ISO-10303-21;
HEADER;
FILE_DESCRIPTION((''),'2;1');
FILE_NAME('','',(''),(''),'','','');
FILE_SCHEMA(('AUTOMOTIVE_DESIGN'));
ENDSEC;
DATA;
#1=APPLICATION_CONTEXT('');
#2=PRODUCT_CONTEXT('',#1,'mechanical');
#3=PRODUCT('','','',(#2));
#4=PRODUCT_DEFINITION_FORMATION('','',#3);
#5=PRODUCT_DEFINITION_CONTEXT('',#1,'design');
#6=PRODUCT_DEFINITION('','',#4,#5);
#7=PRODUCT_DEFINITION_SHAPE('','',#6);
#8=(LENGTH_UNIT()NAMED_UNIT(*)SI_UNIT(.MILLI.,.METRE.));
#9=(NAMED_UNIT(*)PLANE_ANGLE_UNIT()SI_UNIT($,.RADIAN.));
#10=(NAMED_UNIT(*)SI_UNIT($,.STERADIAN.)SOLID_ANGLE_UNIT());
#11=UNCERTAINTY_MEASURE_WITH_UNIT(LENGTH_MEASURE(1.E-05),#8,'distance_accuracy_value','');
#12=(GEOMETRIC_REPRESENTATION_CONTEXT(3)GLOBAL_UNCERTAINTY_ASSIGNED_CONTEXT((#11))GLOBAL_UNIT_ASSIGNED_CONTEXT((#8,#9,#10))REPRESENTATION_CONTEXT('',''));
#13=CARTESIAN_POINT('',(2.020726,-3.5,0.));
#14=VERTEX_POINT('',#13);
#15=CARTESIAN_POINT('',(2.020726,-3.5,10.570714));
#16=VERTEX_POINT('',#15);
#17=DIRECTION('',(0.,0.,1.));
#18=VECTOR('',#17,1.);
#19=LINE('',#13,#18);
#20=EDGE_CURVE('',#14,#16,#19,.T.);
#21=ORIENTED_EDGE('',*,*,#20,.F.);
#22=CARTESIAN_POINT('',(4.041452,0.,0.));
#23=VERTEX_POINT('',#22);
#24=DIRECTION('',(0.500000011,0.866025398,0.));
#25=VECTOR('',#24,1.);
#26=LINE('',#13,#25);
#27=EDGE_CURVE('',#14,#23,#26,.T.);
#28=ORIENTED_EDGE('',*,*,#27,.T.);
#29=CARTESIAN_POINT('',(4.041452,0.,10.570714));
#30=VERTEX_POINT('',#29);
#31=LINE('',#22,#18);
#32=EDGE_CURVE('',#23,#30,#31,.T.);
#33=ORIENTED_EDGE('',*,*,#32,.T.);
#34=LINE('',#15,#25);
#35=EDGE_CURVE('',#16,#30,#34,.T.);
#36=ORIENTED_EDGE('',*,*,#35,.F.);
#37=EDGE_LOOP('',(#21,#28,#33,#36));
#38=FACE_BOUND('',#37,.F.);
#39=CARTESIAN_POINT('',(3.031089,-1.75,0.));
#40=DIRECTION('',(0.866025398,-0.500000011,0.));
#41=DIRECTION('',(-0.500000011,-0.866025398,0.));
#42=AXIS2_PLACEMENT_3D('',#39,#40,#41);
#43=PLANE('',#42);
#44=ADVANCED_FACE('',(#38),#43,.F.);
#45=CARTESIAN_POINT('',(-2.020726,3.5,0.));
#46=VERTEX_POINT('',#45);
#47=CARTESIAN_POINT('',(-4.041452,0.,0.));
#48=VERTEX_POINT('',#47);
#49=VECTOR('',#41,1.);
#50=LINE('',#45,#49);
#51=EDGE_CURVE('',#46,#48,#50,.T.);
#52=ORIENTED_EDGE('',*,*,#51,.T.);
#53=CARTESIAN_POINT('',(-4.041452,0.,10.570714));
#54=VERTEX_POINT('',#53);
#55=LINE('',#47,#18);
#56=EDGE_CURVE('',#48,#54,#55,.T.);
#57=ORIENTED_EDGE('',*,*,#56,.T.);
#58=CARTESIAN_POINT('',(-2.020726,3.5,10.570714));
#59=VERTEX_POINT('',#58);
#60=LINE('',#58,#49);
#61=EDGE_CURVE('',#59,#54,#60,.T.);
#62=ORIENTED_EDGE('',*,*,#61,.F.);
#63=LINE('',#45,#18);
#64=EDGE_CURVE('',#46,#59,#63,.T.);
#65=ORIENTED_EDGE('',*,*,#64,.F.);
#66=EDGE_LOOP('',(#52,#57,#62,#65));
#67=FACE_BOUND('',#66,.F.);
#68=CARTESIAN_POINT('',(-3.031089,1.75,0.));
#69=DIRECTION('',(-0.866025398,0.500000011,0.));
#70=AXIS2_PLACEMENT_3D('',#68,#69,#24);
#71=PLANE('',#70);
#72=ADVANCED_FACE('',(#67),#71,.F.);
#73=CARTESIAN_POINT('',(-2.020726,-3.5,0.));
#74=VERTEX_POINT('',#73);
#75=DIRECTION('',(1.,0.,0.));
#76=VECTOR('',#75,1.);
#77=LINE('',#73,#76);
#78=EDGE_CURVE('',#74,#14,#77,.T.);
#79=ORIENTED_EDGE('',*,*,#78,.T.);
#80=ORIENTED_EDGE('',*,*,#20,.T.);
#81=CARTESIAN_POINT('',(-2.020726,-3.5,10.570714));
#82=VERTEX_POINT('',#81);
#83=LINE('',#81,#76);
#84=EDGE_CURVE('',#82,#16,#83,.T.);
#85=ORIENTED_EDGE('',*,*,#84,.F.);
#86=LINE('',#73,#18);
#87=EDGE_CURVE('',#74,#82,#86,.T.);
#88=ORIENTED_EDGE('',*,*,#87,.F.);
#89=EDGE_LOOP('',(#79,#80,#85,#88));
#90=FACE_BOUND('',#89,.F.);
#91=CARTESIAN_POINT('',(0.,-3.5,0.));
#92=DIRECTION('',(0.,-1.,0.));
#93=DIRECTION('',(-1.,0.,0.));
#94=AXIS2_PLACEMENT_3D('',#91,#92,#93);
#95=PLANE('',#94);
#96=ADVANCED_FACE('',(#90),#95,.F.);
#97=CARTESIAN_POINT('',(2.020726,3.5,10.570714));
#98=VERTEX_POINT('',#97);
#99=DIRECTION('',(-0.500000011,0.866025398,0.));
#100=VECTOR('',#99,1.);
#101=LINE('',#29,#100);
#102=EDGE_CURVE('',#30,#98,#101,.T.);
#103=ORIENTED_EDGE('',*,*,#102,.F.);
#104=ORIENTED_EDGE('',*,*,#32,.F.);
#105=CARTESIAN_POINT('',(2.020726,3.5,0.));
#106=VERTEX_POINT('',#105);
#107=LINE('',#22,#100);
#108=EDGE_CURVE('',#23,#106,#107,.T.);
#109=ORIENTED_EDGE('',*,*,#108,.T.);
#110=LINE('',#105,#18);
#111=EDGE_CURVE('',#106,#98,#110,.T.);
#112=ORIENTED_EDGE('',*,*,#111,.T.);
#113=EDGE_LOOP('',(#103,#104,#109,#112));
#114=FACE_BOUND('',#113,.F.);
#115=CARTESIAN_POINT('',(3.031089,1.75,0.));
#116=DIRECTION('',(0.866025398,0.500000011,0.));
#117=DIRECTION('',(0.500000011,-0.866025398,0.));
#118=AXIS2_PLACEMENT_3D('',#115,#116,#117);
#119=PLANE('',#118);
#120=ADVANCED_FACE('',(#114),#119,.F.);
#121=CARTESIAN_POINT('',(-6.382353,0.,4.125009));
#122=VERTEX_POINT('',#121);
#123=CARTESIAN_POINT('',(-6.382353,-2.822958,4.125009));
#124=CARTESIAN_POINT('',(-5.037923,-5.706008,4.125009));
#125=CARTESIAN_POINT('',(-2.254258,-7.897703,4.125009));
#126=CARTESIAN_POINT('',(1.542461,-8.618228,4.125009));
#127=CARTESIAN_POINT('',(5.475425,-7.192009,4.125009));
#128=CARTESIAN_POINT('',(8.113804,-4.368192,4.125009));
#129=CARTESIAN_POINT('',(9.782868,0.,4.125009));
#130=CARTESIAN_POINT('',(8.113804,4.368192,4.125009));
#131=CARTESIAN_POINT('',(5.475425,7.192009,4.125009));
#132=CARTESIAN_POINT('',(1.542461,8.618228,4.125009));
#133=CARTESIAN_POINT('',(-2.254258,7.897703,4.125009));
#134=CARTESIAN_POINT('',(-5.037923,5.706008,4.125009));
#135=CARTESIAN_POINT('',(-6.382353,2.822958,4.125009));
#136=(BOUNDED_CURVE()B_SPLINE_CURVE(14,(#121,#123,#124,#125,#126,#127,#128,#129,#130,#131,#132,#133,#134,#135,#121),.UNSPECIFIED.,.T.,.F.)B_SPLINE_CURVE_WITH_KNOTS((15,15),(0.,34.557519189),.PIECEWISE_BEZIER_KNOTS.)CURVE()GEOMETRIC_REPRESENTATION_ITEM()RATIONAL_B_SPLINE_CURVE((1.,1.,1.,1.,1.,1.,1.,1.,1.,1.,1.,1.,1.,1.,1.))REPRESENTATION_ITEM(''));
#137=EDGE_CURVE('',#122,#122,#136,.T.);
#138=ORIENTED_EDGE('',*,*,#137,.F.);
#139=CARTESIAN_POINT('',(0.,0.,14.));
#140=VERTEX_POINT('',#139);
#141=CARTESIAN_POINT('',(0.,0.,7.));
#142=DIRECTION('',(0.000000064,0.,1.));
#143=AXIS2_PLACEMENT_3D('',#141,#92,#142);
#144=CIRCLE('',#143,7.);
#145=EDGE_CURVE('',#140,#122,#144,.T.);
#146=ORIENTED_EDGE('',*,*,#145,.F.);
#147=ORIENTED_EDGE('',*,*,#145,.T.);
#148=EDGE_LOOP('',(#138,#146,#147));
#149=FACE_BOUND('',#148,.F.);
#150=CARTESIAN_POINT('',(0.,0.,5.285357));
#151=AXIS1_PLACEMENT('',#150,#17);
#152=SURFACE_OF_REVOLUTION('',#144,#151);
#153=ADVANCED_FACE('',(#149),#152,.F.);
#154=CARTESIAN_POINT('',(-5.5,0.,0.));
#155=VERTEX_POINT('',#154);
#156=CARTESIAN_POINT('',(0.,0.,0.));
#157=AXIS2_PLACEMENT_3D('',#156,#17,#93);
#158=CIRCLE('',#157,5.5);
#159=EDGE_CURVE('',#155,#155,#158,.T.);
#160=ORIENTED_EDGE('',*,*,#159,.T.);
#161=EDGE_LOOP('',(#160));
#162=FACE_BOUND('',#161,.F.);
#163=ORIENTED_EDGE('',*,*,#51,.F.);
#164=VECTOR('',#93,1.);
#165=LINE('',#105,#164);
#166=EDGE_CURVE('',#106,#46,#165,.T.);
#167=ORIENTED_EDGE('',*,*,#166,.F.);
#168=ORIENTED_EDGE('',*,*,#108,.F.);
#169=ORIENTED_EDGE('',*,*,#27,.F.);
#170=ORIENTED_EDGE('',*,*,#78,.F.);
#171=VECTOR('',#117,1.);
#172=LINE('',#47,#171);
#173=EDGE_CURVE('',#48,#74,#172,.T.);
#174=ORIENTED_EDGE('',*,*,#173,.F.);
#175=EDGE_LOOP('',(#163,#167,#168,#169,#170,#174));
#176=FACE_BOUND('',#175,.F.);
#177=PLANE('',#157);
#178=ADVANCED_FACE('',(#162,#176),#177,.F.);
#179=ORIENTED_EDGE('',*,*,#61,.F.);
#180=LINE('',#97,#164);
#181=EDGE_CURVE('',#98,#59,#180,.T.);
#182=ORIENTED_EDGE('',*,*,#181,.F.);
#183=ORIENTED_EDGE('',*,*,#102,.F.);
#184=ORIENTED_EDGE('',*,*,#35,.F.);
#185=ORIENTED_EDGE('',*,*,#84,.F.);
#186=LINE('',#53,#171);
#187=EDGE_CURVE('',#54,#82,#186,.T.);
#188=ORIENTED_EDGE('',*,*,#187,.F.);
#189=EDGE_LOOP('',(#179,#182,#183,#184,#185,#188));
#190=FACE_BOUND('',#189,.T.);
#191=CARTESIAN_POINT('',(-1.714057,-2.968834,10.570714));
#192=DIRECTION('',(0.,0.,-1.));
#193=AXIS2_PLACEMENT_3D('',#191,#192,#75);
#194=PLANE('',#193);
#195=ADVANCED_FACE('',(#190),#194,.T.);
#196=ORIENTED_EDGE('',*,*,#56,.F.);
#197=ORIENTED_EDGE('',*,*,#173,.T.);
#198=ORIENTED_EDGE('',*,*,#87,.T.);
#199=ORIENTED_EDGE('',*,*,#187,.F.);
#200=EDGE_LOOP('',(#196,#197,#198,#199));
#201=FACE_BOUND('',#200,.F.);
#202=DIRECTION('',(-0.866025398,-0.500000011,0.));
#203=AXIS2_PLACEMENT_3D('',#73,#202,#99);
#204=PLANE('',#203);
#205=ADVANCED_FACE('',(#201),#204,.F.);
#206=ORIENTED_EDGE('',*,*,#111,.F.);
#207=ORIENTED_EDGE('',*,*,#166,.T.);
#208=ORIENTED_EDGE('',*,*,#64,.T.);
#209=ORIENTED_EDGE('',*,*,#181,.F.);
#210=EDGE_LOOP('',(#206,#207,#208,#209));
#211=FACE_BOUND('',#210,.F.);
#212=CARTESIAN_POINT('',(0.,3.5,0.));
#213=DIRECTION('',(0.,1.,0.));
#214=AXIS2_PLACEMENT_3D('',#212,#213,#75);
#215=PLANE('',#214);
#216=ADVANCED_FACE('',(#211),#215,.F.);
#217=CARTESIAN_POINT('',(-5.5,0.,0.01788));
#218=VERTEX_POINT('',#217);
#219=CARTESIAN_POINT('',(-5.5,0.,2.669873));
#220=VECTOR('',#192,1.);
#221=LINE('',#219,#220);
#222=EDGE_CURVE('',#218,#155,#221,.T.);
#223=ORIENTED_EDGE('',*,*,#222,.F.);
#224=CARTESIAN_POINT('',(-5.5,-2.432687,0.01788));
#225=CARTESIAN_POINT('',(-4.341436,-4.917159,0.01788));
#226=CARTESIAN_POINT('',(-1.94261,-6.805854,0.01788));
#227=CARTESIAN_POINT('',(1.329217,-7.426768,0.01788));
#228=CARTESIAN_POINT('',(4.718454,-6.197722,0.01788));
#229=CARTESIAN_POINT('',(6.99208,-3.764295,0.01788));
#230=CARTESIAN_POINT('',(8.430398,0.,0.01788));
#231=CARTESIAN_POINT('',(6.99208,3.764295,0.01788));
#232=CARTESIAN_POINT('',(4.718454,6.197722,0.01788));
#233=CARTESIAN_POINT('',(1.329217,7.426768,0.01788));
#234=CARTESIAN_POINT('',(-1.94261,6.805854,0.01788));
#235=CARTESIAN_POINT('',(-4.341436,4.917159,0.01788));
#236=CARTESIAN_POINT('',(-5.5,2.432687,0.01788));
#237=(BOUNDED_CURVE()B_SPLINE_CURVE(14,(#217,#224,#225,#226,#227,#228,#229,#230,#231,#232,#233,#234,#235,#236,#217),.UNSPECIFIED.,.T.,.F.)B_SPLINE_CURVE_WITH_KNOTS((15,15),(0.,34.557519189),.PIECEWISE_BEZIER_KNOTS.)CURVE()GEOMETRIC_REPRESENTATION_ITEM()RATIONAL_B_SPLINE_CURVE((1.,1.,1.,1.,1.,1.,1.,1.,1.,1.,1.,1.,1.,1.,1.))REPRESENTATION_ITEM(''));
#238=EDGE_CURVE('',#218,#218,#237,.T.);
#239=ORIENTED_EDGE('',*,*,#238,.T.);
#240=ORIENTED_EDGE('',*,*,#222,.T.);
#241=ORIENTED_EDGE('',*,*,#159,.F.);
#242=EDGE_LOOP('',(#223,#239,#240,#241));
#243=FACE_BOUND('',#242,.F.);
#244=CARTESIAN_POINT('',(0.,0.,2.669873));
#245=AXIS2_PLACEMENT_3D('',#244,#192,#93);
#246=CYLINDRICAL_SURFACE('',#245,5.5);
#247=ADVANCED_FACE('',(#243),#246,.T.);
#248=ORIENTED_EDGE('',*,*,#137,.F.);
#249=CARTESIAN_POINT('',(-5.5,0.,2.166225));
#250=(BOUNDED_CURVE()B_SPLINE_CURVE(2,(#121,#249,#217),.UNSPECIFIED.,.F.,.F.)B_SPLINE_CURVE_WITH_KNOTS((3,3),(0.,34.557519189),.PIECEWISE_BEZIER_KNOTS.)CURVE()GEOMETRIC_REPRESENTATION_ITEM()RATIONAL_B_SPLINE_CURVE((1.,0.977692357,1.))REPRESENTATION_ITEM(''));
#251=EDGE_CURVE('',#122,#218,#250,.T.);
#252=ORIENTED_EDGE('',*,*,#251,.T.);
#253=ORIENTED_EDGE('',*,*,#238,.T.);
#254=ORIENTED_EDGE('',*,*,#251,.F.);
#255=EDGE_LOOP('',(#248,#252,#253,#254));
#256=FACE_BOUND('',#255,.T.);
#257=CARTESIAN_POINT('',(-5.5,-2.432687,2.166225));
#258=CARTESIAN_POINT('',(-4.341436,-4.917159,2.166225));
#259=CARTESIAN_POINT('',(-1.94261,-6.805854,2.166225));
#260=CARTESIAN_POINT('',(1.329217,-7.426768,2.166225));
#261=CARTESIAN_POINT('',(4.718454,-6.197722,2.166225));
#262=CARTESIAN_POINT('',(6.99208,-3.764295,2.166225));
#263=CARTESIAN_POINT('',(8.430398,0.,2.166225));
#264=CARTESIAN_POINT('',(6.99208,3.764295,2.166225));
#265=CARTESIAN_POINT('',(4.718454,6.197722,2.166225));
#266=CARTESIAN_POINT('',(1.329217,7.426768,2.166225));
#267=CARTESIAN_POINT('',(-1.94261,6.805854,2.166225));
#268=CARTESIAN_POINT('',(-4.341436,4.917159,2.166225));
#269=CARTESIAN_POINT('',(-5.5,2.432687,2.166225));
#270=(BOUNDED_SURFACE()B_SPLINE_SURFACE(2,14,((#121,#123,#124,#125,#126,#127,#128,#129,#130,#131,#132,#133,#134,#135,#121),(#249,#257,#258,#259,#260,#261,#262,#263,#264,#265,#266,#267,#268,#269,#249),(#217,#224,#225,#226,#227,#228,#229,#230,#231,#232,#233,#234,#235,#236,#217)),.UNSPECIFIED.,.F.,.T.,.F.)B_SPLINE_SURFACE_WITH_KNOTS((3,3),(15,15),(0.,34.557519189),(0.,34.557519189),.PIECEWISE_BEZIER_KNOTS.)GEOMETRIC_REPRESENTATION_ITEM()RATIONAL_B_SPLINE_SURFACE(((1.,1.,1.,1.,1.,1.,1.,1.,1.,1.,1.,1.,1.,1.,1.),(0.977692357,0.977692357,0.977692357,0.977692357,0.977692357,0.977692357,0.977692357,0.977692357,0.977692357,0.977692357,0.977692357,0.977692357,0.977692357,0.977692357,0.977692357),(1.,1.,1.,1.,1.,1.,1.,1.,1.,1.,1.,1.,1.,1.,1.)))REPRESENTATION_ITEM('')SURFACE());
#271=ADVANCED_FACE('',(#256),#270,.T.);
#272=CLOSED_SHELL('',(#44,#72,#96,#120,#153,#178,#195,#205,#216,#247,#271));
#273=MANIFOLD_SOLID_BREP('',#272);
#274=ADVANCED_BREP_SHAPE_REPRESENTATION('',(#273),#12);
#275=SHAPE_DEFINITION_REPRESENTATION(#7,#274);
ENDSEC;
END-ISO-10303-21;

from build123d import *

# Parameters (mm, degrees)
F3_DEPTH = 10.570714
F4_R     = 10


with BuildPart() as f1:
    # F0 (on Front) → F1 (revolve)
    with BuildSketch(Plane.XZ):
        with BuildLine():
            Line((0, 10.570714), (0, 14))
            ThreePointArc((0, 14), (-6.297257, 10.056887), (-5.5, 2.669873))
            Line((-5.5, 2.669873), (-5.5, 0))
            Line((-5.5, 0), (-3.5, 0))
            Line((-3.5, 0), (-3.5, 10.570714))
            Line((-3.5, 10.570714), (0, 10.570714))
        make_face()
    revolve(axis=Axis((0, 0, 5.285357), (0, 0, 1)))

    # F2 (on face) → F3 (cut, through all)
    with BuildSketch(Plane(origin=(0, 0, 0), x_dir=(1, 0, 0), z_dir=(0, 0, -1))):
        with BuildLine():
            Line((-2.020726, -3.5), (0, -3.5))
            ThreePointArc((0, -3.5), (-1.75, -3.031089), (-3.031089, -1.75))
            Line((-3.031089, -1.75), (-2.020726, -3.5))
        make_face()
        with BuildLine():
            Line((-4.041452, 0), (-3.031089, -1.75))
            ThreePointArc((-3.031089, -1.75), (-3.5, 0), (-3.031089, 1.75))
            Line((-3.031089, 1.75), (-4.041452, 0))
        make_face()
        with BuildLine():
            Line((-2.020726, 3.5), (-3.031089, 1.75))
            ThreePointArc((-3.031089, 1.75), (-1.75, 3.031089), (0, 3.5))
            Line((0, 3.5), (-2.020726, 3.5))
        make_face()
        with BuildLine():
            ThreePointArc((0, 3.5), (1.75, 3.031089), (3.031089, 1.75))
            Line((3.031089, 1.75), (2.020726, 3.5))
            Line((2.020726, 3.5), (0, 3.5))
        make_face()
        with BuildLine():
            ThreePointArc((3.5, 0), (3.38074, -0.905867), (3.031089, -1.75))
            Line((3.031089, -1.75), (4.041452, 0))
            Line((4.041452, 0), (3.031089, 1.75))
            ThreePointArc((3.031089, 1.75), (3.38074, 0.905867), (3.5, 0))
        make_face()
        with BuildLine():
            Line((0, -3.5), (2.020726, -3.5))
            Line((2.020726, -3.5), (3.031089, -1.75))
            ThreePointArc((3.031089, -1.75), (1.75, -3.031089), (0, -3.5))
        make_face()
    extrude(amount=-F3_DEPTH, mode=Mode.SUBTRACT)

    # F4
    f4_edges = [f1.edges().sort_by_distance(p)[0] for p in [
        (5.5, 0, 2.669873),
    ]]
    fillet(f4_edges, radius=F4_R)


solid = f1.part
